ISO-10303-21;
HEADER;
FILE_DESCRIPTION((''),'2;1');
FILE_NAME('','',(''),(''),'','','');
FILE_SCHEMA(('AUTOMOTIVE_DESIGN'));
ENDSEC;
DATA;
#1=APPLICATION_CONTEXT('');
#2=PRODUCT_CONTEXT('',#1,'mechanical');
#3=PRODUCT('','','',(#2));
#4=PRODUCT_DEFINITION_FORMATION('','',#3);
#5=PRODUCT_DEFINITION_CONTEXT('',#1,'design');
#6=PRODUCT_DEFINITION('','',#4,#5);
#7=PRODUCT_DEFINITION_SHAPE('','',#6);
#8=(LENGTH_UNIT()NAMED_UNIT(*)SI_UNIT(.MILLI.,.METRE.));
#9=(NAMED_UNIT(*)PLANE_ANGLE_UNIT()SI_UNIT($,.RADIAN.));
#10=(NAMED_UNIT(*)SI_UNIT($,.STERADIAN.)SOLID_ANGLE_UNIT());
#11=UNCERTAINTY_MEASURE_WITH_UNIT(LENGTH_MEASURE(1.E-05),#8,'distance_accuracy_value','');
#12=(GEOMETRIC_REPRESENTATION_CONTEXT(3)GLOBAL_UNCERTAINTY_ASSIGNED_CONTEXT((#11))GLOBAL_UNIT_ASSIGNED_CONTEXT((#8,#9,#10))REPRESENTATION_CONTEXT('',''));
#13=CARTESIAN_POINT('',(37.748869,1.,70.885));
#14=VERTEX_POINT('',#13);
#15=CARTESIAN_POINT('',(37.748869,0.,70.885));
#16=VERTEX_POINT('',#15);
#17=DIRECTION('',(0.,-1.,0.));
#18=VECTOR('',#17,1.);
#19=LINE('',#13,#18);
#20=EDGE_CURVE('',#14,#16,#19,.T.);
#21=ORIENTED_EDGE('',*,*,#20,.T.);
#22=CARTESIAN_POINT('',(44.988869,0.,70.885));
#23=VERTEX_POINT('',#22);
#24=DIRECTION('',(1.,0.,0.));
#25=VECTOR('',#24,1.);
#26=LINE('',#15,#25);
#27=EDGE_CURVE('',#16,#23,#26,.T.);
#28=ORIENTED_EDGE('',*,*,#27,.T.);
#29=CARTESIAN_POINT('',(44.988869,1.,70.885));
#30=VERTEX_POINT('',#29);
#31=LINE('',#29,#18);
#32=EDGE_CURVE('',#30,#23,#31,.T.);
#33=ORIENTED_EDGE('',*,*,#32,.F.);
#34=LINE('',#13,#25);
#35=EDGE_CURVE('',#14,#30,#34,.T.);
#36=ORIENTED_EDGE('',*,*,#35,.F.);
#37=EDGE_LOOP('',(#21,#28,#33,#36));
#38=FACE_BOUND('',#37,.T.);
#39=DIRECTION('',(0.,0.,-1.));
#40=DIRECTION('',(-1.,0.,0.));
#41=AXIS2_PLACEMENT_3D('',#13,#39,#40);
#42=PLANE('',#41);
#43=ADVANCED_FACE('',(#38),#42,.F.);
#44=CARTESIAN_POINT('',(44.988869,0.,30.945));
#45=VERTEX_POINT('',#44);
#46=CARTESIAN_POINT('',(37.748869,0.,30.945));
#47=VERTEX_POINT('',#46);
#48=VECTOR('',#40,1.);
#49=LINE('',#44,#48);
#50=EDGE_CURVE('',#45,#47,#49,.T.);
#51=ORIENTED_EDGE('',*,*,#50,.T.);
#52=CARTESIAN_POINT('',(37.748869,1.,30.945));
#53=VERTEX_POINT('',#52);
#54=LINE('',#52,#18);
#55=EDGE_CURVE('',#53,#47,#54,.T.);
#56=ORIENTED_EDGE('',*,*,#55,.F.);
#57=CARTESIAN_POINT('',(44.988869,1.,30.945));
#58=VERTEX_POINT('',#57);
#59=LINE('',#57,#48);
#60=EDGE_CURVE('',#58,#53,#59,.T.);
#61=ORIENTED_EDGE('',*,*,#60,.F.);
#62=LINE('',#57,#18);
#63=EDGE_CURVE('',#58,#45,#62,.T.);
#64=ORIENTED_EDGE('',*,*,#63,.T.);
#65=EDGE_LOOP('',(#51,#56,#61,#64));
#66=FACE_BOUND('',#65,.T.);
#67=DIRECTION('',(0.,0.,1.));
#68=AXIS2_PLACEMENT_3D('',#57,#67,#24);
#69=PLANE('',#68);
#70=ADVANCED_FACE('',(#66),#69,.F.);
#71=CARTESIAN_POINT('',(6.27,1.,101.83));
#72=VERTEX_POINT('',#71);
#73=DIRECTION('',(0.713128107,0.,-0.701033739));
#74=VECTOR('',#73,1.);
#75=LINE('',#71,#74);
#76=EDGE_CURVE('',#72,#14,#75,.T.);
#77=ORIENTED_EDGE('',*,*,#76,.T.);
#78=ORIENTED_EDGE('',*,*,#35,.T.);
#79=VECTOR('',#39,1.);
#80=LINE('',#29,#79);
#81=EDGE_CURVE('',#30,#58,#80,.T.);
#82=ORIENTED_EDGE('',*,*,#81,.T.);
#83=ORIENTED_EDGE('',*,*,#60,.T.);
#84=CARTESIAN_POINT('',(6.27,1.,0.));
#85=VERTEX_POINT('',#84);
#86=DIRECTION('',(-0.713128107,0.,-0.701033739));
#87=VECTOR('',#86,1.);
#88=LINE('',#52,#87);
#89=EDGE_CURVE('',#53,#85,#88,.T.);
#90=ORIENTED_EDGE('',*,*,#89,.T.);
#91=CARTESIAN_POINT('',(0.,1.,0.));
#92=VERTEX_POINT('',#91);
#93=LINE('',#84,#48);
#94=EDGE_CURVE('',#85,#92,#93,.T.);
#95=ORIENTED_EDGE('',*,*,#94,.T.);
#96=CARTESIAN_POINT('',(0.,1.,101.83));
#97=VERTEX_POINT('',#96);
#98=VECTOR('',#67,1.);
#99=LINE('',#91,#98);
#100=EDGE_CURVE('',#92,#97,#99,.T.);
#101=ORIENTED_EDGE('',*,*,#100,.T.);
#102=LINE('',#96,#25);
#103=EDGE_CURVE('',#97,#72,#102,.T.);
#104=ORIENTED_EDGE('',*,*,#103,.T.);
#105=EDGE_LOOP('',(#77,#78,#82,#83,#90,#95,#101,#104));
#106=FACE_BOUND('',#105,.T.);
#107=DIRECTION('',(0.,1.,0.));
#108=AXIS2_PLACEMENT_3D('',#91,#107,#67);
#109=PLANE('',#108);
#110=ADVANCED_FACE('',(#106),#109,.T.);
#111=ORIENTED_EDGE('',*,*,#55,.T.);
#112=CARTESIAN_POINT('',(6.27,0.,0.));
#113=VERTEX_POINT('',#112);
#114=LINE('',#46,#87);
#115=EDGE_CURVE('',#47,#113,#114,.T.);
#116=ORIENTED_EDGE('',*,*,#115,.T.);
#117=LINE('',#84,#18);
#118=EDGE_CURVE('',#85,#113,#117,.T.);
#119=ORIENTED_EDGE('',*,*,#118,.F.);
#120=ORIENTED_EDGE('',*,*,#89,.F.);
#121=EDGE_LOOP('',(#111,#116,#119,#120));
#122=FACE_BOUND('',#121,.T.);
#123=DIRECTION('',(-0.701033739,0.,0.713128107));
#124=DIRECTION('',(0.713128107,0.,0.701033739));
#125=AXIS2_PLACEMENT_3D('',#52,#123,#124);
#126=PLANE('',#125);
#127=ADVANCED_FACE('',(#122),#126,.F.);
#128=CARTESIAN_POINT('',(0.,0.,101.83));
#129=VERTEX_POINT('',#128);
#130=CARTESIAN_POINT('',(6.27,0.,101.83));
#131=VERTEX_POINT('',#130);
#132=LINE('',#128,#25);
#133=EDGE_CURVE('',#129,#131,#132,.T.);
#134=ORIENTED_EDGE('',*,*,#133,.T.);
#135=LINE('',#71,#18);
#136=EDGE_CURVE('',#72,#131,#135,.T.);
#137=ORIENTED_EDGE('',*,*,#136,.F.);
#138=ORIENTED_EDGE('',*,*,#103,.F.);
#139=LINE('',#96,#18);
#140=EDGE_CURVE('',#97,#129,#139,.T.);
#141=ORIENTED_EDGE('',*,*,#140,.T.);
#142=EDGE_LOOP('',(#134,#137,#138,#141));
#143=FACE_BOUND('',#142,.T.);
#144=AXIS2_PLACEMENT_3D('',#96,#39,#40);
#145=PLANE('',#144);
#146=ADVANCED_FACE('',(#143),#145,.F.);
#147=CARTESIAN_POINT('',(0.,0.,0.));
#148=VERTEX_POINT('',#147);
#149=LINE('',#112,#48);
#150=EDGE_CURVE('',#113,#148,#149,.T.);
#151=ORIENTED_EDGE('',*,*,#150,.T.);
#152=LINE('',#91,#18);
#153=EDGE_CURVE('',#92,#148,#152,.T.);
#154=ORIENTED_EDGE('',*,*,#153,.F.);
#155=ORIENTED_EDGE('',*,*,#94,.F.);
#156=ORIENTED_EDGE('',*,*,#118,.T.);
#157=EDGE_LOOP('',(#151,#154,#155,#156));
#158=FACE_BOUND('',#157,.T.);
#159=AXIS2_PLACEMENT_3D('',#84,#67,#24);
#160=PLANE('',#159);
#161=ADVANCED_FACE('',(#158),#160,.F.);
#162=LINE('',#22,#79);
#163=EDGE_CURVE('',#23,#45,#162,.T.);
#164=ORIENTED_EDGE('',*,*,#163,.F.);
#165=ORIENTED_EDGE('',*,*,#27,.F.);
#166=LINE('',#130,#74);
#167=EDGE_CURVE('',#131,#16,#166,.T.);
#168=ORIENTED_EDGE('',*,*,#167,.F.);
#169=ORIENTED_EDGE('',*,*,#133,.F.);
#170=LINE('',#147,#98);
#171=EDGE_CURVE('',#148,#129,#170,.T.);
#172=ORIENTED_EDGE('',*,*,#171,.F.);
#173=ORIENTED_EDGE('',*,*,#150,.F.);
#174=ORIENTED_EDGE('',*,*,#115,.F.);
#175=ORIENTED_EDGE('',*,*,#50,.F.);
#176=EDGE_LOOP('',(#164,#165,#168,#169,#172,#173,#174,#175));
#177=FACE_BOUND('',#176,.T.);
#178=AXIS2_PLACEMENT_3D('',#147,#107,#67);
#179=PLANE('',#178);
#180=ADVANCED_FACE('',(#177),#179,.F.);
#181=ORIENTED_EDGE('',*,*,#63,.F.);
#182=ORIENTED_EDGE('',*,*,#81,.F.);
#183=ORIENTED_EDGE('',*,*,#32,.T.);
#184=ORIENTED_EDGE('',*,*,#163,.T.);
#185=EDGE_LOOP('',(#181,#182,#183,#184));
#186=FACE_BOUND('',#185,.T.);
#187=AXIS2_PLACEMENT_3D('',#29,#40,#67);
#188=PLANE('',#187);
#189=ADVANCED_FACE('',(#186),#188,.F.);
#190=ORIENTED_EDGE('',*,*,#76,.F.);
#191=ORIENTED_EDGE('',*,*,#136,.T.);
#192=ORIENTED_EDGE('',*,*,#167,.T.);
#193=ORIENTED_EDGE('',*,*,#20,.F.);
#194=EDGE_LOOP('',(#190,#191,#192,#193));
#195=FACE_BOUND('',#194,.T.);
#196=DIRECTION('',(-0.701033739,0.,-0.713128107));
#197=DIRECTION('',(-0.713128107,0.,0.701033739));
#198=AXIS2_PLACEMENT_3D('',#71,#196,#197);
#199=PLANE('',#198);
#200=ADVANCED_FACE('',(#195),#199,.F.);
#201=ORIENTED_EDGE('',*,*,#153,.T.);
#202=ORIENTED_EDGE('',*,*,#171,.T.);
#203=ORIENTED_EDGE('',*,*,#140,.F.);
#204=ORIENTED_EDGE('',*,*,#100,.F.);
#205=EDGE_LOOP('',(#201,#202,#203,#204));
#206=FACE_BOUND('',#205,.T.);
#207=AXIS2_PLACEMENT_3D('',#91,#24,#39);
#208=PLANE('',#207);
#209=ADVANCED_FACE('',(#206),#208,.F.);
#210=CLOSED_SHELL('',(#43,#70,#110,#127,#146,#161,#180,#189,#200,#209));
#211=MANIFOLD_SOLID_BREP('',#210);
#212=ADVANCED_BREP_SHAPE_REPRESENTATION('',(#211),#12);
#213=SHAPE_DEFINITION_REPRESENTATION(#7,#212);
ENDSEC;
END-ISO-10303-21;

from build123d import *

# Parameters (mm, degrees)
SALIENTE_EXTRUIR1_DEPTH = 1


with BuildPart() as part:
    # Croquis1 → Saliente-Extruir1 (new body)
    with BuildSketch(Plane(origin=(0, 0, 0), x_dir=(1, 0, 0), z_dir=(0, 1, 0))):
        Polygon((0, 0), (0, -101.83), (6.27, -101.83), (37.748869018, -70.885), (44.988869018, -70.885), (44.988869018, -30.945), (37.748869018, -30.945), (6.27, 0), align=None)
    extrude(amount=SALIENTE_EXTRUIR1_DEPTH)


solid = part.part
